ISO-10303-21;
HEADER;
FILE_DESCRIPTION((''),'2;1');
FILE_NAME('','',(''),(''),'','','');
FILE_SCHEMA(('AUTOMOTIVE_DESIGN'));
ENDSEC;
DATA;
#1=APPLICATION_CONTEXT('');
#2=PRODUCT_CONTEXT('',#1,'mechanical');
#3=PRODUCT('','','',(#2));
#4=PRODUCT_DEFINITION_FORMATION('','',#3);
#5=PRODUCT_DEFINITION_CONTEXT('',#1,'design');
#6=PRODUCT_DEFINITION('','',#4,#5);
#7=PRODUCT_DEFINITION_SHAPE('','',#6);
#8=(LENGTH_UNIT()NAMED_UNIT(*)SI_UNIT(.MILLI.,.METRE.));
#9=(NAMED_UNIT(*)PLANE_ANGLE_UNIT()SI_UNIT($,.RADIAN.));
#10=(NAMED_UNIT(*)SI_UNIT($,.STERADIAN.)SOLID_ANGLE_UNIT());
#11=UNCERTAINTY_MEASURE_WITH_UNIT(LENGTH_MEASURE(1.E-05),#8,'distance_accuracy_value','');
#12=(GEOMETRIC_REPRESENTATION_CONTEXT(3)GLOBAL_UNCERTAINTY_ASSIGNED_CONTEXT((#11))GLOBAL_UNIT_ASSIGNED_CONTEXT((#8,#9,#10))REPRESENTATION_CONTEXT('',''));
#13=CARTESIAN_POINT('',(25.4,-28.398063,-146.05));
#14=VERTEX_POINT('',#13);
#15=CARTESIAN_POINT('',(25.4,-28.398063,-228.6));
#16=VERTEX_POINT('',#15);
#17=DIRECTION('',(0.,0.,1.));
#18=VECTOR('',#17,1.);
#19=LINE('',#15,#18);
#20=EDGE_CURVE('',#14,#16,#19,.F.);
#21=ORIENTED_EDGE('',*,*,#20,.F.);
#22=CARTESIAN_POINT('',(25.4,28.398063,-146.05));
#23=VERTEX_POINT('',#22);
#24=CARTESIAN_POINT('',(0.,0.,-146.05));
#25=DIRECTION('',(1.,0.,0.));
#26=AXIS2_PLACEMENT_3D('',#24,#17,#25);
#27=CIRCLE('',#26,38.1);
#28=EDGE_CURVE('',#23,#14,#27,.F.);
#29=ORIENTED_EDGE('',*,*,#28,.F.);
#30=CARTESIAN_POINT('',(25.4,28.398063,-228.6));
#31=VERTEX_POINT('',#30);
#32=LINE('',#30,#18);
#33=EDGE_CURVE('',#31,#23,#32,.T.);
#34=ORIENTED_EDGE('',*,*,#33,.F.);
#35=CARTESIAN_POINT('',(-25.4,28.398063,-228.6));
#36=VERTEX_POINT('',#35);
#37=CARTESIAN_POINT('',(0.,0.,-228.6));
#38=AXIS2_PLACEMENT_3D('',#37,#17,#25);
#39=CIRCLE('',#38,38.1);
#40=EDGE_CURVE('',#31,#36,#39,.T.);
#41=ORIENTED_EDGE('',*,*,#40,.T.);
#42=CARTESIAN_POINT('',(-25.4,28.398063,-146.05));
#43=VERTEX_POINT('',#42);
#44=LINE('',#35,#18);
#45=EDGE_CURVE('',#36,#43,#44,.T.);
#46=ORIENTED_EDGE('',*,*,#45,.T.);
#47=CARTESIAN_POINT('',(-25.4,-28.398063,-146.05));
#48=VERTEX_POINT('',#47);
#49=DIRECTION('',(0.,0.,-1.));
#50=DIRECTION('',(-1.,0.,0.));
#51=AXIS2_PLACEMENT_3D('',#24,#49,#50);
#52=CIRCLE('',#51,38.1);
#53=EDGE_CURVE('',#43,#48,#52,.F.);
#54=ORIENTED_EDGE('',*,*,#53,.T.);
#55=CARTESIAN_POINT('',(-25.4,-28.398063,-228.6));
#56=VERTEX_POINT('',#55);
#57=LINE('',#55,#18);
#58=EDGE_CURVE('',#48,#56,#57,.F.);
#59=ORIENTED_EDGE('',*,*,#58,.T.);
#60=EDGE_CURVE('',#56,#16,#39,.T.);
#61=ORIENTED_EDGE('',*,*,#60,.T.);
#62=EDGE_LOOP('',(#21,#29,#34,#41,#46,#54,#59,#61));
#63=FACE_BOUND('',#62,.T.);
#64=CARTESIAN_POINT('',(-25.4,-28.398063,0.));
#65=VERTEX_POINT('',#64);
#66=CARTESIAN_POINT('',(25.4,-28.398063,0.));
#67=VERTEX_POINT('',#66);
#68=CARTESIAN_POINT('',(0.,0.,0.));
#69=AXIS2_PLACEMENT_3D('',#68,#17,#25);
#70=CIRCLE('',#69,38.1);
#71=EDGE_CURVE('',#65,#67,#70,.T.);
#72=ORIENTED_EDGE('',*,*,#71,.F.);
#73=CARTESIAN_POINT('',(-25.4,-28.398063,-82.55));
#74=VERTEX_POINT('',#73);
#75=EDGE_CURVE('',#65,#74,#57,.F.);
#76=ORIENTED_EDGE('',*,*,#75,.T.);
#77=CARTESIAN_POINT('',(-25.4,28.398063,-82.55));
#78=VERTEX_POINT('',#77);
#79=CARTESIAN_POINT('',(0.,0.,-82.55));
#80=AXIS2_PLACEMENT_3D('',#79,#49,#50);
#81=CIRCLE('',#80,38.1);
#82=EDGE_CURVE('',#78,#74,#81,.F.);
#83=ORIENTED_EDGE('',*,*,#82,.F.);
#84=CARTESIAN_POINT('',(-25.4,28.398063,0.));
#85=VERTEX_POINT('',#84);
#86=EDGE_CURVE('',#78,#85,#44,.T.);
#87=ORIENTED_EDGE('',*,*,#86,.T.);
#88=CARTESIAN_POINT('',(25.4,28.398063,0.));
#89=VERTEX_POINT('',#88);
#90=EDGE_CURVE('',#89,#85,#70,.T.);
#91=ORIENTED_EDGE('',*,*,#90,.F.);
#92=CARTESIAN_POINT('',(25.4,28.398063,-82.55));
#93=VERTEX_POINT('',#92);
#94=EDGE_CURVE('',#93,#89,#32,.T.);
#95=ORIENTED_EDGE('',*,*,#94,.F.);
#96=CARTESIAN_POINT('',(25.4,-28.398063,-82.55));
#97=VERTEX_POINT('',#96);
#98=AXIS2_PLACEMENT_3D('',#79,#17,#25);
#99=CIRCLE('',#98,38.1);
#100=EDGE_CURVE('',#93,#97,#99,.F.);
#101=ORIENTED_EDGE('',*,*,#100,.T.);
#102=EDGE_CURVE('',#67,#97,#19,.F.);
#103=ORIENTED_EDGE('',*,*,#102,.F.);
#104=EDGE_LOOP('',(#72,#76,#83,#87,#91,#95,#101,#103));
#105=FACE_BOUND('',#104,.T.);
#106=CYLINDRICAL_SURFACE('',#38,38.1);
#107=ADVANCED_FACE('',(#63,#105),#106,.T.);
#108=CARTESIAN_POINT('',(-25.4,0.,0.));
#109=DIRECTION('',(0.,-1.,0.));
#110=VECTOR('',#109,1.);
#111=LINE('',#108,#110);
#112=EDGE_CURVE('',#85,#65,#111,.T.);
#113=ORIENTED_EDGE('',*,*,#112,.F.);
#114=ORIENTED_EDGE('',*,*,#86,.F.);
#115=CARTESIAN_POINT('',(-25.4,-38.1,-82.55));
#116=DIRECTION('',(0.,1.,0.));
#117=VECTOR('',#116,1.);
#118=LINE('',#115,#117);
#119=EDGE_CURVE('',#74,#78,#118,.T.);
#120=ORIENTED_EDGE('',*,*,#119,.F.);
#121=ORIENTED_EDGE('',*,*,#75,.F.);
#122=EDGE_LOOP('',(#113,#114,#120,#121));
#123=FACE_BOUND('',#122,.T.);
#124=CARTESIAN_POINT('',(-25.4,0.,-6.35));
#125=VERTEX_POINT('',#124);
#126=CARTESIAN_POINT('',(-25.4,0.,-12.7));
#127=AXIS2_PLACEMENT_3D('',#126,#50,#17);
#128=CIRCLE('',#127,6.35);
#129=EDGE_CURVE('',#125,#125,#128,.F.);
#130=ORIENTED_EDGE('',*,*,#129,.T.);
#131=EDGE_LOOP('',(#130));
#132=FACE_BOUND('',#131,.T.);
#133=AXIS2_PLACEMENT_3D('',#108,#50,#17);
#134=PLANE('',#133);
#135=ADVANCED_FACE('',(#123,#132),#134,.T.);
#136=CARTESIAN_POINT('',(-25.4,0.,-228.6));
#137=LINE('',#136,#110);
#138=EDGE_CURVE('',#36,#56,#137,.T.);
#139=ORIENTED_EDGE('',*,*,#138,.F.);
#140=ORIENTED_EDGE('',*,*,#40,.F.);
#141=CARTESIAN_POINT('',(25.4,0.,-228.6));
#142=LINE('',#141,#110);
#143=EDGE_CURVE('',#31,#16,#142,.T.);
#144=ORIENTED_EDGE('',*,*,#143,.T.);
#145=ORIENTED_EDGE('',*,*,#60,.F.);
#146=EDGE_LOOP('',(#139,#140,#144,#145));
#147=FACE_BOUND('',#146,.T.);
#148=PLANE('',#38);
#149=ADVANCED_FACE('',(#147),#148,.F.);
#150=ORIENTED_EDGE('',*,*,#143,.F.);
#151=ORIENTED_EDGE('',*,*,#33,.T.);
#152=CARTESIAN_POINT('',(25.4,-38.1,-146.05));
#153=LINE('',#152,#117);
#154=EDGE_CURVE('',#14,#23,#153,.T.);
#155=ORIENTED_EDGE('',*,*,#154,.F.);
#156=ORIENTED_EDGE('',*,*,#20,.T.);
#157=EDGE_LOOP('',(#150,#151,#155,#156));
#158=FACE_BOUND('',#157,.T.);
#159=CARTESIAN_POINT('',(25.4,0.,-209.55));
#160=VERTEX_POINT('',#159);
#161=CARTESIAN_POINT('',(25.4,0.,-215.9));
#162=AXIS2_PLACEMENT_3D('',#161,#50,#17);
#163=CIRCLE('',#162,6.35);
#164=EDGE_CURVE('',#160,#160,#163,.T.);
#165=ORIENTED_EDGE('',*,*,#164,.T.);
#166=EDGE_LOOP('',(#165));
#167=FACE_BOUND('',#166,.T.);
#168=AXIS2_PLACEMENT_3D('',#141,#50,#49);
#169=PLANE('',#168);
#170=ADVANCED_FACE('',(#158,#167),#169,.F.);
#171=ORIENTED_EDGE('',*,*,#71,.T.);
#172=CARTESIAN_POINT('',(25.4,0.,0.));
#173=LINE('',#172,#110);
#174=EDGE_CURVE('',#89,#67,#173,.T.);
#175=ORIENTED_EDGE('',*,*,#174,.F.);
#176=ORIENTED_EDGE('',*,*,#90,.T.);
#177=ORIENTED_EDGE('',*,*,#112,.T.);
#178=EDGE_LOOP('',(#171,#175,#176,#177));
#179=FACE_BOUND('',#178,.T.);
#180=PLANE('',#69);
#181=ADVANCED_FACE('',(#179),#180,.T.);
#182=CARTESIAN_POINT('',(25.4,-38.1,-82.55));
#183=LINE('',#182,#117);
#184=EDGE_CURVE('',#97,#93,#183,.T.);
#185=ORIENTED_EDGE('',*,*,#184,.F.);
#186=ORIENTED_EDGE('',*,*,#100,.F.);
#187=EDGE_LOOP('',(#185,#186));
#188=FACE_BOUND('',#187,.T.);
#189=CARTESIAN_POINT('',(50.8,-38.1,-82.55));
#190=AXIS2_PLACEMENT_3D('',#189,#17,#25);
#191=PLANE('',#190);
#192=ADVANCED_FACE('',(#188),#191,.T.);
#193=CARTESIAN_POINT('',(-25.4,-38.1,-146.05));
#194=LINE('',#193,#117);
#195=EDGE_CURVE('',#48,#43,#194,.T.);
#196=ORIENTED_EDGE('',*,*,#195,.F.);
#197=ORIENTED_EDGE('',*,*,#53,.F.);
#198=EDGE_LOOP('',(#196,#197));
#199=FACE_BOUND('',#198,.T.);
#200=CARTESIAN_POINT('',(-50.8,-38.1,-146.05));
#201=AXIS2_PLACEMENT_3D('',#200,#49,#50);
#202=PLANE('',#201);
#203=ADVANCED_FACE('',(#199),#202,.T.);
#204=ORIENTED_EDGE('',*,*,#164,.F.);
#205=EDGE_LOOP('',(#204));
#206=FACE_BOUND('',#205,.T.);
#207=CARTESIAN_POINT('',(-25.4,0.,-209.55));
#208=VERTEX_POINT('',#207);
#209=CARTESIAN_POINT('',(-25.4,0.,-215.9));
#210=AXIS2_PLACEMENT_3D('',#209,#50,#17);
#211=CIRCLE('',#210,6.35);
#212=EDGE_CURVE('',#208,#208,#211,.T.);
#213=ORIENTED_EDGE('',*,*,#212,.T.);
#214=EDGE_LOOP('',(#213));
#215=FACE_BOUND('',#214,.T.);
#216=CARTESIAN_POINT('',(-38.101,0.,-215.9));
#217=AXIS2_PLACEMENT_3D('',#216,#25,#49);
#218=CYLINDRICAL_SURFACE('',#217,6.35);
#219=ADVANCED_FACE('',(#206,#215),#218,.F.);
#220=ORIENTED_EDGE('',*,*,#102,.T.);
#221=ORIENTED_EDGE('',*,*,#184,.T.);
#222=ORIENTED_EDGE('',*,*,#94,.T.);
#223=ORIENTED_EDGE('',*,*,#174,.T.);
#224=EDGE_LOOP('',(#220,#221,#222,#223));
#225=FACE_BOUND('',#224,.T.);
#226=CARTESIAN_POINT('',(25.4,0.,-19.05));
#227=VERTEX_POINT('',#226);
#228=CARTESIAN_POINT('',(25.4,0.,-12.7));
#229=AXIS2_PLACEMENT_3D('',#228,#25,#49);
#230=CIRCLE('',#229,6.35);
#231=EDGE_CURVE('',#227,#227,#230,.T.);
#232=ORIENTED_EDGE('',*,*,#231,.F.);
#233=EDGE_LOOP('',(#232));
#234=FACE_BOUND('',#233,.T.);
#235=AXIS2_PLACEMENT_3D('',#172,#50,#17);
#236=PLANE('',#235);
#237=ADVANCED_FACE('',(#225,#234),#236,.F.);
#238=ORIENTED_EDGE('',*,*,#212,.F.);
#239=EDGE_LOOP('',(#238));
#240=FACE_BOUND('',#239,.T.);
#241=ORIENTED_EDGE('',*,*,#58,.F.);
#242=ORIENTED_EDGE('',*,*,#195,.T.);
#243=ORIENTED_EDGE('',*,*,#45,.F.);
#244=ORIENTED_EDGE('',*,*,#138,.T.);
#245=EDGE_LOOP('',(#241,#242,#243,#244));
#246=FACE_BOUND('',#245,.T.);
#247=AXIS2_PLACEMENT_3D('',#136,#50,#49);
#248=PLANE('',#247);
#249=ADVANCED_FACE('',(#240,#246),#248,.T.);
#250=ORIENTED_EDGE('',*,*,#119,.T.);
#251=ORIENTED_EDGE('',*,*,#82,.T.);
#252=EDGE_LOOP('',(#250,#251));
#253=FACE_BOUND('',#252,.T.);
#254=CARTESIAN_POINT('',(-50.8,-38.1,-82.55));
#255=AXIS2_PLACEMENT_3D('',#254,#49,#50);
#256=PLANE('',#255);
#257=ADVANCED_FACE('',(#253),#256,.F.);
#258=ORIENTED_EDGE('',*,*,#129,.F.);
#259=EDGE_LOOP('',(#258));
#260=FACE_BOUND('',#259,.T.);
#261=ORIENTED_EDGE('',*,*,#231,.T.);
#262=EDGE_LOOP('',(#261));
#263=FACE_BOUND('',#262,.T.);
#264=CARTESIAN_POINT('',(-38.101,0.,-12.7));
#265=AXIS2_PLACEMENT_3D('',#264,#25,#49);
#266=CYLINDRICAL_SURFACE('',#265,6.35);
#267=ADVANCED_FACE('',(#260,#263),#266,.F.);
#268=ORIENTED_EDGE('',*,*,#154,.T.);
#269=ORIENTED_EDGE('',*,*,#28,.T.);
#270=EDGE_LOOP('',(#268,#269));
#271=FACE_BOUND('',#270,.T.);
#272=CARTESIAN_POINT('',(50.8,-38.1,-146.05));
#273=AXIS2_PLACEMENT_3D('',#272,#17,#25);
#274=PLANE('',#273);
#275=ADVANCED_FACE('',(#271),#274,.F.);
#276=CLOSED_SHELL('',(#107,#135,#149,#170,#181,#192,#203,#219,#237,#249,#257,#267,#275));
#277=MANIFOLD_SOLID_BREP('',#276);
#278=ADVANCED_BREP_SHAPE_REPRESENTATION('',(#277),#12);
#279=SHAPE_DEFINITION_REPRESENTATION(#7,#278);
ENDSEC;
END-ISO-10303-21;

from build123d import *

# Parameters (mm, degrees)
SKETCH2_R           = 38.1
BOSS_EXTRUDE1_DEPTH = 228.6
CUT_EXTRUDE1_START  = 25.4
SKETCH3_W           = 165.1
SKETCH3_H           = 76.2
CUT_EXTRUDE1_DEPTH  = 25.4
CUT_EXTRUDE2_START  = -25.4
SKETCH3_2_W         = 165.1
SKETCH3_2_H         = 76.2
CUT_EXTRUDE2_DEPTH  = 25.4
CUT_EXTRUDE3_REACH  = 242.295
SKETCH4_R           = 6.35


with BuildPart() as part:
    # Sketch2 → Boss-Extrude1 (new body)
    with BuildSketch(Plane.XY):
        Circle(SKETCH2_R)
    extrude(amount=-BOSS_EXTRUDE1_DEPTH)

    # Sketch3 → Cut-Extrude1 (cut)
    with BuildSketch(Plane(origin=(0, 0, 0), x_dir=(0, 0, -1), z_dir=(1, 0, 0)).offset(CUT_EXTRUDE1_START)):
        Rectangle(SKETCH3_W, SKETCH3_H)
    cut_extrude1 = extrude(amount=CUT_EXTRUDE1_DEPTH, mode=Mode.SUBTRACT)

    # Sketch3<2> → Cut-Extrude2 (cut)
    with BuildSketch(Plane(origin=(0, 0, 0), x_dir=(0, 0, -1), z_dir=(1, 0, 0)).offset(CUT_EXTRUDE2_START)):
        Rectangle(SKETCH3_2_W, SKETCH3_2_H)
    cut_extrude2 = extrude(amount=-CUT_EXTRUDE2_DEPTH, mode=Mode.SUBTRACT)

    # Sketch4 → Cut-Extrude3 (cut, up to next)
    with BuildSketch(Plane(origin=(25.4, 0, 0), x_dir=(0, 0, -1), z_dir=(1, 0, 0)), mode=Mode.PRIVATE) as cut_extrude3_sk1:
        with Locations((12.7, 0)):
            Circle(SKETCH4_R)
    cut_extrude3_tool1 = extrude(cut_extrude3_sk1.sketch, amount=-CUT_EXTRUDE3_REACH, mode=Mode.PRIVATE) & part.part
    cut_extrude3 = cut_extrude3_tool1.solids().sort_by_distance((25.4, 0, -12.7))[0]
    add(cut_extrude3, mode=Mode.SUBTRACT)

    # Mirror1: Cut-Extrude1, Cut-Extrude2, Cut-Extrude3 across plane
    add(cut_extrude1.mirror(Plane.XY.offset(-114.3)), mode=Mode.SUBTRACT)
    add(cut_extrude2.mirror(Plane.XY.offset(-114.3)), mode=Mode.SUBTRACT)
    add(cut_extrude3.mirror(Plane.XY.offset(-114.3)), mode=Mode.SUBTRACT)


solid = part.part
